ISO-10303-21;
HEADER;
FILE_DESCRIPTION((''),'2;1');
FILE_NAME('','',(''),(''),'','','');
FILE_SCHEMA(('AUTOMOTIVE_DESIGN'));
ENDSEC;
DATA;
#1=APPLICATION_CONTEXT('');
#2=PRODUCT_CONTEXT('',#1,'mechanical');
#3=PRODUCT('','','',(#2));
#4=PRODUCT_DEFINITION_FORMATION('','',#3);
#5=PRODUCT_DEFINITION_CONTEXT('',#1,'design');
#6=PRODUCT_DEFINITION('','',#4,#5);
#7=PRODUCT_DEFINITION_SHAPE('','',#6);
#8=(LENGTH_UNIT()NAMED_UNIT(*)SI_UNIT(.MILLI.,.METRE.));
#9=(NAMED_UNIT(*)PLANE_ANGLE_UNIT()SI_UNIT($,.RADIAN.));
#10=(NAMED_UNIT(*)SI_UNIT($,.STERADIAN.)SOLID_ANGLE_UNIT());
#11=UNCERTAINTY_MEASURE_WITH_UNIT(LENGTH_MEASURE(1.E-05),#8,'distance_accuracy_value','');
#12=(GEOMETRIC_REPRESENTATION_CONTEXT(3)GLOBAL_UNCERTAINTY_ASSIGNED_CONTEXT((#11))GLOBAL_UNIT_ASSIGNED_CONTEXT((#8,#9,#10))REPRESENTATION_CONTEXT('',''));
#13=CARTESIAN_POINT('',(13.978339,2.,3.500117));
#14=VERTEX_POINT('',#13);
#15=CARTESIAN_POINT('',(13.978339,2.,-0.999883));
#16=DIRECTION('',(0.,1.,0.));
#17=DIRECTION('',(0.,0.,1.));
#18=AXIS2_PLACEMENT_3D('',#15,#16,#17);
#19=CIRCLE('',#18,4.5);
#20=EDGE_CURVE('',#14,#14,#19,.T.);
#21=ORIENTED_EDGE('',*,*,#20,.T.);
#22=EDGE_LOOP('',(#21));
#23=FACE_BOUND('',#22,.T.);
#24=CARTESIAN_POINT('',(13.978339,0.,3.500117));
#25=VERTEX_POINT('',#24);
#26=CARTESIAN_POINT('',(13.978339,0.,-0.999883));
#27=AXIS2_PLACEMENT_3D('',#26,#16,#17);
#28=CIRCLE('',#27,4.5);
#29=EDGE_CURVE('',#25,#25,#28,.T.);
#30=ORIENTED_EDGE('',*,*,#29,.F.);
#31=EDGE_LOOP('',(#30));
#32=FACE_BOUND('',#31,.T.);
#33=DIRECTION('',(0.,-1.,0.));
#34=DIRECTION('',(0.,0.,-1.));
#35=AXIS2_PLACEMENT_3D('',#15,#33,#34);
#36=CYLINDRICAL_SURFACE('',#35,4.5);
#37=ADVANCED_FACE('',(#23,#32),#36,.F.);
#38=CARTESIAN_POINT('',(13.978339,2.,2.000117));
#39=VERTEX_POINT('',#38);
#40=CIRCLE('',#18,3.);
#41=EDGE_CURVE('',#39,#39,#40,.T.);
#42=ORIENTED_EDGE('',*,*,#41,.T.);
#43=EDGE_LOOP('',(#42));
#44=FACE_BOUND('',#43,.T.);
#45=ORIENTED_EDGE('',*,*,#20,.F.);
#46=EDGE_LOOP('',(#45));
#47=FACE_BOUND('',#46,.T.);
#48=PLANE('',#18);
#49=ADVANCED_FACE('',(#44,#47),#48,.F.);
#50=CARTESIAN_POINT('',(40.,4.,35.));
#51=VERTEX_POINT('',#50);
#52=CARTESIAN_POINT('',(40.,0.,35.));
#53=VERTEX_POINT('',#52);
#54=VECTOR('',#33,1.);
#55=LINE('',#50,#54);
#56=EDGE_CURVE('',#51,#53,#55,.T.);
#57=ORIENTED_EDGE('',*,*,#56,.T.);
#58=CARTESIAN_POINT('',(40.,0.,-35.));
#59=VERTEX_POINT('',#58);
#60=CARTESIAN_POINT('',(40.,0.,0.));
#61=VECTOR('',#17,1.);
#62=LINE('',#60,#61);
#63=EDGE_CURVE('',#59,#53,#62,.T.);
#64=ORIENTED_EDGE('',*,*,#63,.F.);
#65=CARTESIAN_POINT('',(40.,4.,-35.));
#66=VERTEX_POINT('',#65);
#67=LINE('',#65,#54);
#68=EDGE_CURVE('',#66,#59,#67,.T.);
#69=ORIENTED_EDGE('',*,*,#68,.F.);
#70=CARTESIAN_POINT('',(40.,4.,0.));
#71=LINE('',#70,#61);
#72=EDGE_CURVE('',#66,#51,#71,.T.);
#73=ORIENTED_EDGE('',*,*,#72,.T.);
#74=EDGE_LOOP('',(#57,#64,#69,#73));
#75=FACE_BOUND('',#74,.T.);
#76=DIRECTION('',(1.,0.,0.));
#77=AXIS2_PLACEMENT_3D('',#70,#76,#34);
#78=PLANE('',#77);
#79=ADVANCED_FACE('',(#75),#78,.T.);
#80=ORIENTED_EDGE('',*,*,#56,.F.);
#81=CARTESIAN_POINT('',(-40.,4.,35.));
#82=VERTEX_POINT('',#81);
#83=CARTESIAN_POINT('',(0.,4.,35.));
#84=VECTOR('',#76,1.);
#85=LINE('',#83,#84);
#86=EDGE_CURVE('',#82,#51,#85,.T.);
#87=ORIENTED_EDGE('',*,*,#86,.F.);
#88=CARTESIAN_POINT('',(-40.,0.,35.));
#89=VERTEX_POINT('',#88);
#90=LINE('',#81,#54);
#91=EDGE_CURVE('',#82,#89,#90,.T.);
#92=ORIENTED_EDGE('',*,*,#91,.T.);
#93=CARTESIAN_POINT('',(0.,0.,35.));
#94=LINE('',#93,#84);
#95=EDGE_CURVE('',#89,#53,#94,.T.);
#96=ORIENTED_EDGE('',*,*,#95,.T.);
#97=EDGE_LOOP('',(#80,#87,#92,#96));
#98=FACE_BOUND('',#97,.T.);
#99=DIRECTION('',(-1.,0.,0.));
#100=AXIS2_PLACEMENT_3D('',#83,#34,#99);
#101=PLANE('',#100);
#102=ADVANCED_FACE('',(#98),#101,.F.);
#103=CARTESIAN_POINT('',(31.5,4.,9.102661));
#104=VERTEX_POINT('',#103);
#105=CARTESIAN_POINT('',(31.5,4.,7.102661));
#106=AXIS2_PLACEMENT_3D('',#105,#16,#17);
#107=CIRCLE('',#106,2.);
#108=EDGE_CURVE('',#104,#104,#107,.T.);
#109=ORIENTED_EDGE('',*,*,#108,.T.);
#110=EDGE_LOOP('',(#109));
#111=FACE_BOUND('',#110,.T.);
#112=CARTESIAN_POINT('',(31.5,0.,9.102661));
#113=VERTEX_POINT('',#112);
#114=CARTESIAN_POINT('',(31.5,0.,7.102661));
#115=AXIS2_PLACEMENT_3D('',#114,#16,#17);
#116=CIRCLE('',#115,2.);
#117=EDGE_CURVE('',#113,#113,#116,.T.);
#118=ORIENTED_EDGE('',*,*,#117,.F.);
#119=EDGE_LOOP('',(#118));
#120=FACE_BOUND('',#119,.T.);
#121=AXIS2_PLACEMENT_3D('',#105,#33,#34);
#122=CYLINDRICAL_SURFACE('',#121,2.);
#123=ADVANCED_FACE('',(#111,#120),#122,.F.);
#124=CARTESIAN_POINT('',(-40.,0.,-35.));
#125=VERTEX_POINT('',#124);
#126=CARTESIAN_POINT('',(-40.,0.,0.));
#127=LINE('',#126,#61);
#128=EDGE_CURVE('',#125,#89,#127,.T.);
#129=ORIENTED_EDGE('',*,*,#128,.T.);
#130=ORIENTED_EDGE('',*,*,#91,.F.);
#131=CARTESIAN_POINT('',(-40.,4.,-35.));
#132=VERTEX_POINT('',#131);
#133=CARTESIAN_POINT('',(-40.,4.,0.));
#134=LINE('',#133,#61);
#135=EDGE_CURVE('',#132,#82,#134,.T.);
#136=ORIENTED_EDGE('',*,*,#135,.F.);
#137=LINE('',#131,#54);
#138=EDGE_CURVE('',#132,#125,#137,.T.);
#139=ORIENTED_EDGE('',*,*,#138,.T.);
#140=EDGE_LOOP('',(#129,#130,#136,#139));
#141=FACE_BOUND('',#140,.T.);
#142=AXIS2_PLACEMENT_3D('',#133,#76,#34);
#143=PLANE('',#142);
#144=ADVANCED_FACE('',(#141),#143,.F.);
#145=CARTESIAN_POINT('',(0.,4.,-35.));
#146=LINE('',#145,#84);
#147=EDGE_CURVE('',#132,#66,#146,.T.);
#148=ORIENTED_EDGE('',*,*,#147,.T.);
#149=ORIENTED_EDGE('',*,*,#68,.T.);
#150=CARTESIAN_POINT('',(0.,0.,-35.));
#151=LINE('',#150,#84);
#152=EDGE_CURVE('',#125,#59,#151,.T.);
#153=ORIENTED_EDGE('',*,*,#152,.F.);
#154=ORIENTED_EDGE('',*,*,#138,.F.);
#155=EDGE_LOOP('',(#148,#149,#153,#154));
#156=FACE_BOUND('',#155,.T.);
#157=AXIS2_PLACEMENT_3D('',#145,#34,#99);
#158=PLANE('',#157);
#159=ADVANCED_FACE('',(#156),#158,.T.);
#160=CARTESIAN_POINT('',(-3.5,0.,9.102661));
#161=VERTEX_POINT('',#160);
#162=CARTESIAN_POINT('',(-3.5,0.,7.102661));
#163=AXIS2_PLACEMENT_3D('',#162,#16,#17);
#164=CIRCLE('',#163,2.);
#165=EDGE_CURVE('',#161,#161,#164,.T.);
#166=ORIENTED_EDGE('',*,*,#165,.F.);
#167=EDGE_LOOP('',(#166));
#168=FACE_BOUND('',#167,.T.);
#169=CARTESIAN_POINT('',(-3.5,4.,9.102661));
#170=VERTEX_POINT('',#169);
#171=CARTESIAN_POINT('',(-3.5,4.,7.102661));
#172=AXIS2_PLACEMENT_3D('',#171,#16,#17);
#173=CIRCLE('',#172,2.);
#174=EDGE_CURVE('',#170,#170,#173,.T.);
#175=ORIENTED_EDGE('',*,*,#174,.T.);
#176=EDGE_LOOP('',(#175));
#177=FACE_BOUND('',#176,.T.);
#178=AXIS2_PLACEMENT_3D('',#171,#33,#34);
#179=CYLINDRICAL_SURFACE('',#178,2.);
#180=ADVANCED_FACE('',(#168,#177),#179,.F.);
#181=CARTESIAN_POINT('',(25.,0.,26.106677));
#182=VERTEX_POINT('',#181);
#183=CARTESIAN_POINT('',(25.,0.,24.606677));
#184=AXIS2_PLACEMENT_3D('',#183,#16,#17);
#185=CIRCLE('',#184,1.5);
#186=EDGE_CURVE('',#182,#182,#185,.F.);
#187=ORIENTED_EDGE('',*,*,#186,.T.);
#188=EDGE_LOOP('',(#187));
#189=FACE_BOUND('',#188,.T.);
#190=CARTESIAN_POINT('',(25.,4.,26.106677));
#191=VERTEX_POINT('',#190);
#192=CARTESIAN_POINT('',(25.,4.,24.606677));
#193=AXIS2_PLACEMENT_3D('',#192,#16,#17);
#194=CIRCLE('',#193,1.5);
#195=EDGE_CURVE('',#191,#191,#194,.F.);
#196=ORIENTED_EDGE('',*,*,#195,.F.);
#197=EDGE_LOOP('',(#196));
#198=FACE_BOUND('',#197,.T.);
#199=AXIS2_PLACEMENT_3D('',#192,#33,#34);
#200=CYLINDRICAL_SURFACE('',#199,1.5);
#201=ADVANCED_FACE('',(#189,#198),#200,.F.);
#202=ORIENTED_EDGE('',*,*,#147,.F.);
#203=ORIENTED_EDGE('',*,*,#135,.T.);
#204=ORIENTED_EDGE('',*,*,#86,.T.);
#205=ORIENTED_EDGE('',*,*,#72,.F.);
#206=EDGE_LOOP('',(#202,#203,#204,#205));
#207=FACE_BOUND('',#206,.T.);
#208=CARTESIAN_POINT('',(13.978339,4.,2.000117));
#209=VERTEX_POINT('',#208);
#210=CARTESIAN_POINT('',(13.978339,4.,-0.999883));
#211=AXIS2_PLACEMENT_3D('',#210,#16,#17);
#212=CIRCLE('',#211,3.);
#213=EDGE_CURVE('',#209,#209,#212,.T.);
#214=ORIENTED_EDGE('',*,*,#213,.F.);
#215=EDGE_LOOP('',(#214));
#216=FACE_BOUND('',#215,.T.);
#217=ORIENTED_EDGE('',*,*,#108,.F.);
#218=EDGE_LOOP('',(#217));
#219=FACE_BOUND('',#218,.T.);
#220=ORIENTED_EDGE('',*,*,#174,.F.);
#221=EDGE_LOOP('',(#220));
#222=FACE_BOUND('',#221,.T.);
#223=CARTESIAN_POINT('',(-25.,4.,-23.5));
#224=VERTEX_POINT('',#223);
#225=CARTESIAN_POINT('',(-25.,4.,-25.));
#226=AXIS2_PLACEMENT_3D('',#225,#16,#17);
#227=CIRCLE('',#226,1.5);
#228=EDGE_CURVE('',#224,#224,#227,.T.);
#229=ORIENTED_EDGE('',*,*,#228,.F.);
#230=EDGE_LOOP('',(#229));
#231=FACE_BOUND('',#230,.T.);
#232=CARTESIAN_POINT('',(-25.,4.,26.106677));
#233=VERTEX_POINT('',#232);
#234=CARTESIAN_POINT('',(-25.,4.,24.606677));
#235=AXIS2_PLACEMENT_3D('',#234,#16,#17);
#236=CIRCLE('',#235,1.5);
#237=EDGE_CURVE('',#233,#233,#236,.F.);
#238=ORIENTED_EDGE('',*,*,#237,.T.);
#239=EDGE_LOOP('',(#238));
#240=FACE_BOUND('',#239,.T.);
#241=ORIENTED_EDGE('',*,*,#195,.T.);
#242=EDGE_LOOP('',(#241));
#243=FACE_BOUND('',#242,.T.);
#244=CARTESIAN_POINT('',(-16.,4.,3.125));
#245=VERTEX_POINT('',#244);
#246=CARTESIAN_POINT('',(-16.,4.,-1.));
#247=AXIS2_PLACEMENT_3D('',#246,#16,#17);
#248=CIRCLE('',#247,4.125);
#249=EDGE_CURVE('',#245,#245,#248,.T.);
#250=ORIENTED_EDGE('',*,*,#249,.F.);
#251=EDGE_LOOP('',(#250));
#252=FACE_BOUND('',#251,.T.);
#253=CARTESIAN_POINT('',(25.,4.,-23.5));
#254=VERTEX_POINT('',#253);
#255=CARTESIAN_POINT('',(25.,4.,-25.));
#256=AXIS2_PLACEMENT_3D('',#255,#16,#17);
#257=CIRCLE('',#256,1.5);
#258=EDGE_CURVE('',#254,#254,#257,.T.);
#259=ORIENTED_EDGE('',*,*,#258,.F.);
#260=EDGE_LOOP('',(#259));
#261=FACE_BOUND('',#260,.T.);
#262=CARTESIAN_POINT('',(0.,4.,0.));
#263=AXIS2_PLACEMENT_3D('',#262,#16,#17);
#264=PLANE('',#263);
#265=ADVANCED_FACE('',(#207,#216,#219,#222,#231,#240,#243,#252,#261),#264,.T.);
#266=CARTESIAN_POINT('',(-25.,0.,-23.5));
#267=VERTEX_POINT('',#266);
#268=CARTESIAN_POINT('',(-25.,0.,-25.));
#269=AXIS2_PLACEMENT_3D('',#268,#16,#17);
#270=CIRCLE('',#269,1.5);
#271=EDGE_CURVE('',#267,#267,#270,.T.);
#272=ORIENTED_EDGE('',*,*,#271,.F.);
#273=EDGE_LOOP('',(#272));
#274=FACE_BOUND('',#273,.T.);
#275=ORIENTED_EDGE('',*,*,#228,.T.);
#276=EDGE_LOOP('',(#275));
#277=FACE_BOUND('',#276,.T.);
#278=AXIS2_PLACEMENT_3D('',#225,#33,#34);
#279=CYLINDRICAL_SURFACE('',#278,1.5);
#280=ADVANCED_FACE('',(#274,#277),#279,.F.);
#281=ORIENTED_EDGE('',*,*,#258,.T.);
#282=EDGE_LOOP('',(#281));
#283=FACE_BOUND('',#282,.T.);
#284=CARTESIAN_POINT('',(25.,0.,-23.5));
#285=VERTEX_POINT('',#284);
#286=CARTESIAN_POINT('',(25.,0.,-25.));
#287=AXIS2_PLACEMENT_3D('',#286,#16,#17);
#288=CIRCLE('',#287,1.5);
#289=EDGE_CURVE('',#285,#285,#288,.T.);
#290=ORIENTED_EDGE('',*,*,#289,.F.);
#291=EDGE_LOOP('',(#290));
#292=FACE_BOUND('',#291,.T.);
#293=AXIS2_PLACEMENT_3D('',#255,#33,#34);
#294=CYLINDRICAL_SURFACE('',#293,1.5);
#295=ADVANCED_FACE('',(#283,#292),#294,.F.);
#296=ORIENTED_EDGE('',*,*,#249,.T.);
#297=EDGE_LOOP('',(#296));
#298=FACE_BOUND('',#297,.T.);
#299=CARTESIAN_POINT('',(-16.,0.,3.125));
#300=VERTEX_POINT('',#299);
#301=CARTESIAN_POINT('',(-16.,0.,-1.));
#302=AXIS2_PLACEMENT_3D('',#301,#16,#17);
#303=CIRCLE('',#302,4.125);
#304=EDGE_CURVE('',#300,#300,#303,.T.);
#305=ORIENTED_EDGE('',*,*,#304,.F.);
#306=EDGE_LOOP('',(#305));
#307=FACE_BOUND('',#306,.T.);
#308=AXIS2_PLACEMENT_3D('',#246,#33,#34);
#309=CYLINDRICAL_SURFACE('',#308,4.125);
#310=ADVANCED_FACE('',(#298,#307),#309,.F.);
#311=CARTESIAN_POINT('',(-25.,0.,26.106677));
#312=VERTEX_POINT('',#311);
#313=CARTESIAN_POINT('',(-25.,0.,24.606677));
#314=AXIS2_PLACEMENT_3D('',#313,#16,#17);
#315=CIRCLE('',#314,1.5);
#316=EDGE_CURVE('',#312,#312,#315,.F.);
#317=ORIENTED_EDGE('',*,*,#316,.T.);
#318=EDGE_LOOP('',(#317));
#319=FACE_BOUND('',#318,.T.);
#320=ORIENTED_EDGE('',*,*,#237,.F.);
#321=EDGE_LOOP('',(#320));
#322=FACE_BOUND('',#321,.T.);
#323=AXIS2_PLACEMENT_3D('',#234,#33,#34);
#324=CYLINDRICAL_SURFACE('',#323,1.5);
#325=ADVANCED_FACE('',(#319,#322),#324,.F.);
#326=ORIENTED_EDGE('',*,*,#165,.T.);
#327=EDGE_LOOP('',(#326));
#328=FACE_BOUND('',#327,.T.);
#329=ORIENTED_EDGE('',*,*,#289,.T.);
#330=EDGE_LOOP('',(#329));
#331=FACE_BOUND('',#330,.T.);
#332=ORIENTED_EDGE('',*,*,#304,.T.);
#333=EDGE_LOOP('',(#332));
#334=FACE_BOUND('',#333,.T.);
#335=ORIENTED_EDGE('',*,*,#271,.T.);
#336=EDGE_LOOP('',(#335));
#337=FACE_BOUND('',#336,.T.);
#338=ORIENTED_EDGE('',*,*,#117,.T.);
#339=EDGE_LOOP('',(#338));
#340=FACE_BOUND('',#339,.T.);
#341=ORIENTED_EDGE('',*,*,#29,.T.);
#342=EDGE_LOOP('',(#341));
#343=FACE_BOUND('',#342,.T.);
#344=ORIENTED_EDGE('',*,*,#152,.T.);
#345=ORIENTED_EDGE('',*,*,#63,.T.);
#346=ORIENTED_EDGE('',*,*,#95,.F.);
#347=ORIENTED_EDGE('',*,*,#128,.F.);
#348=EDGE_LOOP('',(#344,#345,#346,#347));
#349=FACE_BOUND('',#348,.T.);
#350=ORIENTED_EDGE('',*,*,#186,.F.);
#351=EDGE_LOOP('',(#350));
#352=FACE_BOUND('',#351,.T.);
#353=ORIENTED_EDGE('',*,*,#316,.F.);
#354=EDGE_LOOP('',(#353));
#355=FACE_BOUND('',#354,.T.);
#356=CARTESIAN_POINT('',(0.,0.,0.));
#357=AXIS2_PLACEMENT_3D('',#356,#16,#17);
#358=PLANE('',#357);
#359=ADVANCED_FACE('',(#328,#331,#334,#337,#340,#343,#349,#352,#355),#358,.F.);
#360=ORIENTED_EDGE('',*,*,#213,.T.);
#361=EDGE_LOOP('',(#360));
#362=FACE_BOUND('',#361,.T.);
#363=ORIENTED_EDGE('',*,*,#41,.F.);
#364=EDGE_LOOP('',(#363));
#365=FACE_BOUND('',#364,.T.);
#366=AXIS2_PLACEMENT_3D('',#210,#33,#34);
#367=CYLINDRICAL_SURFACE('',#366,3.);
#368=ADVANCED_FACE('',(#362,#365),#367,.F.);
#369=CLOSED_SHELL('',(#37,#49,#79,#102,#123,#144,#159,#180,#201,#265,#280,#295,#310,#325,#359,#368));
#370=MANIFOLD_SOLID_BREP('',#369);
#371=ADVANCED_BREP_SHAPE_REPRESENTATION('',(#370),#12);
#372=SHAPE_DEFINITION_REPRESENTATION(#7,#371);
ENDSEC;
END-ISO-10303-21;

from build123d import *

# Parameters (mm, degrees)
SKETCH1_W           = 80
SKETCH1_H           = 70
SKETCH1_R           = 1.5
SKETCH1_R_2         = 2
SKETCH1_R_3         = 4.125
SKETCH1_R_4         = 3
BOSS_EXTRUDE4_DEPTH = 4
SKETCH1_7_R         = 4.5
CUT_EXTRUDE2_DEPTH  = 2


with BuildPart() as part:
    # Sketch1 → Boss-Extrude4 (new body)
    with BuildSketch(Plane(origin=(0, 0, 0), x_dir=(1, 0, 0), z_dir=(0, 1, 0))):
        Rectangle(SKETCH1_W, SKETCH1_H)
        with Locations((-25, 25)):
            Circle(SKETCH1_R, mode=Mode.SUBTRACT)
        with Locations((25, 25)):
            Circle(SKETCH1_R, mode=Mode.SUBTRACT)
        with Locations((25, -24.60667729)):
            Circle(SKETCH1_R, mode=Mode.SUBTRACT)
        with Locations((-25, -24.60667729)):
            Circle(SKETCH1_R, mode=Mode.SUBTRACT)
        with Locations((-3.5, -7.102660735)):
            Circle(SKETCH1_R_2, mode=Mode.SUBTRACT)
        with Locations((31.5, -7.102660735)):
            Circle(SKETCH1_R_2, mode=Mode.SUBTRACT)
        with Locations((-16, 1)):
            Circle(SKETCH1_R_3, mode=Mode.SUBTRACT)
        with Locations((13.978339488, 0.999882702)):
            Circle(SKETCH1_R_4, mode=Mode.SUBTRACT)
    extrude(amount=BOSS_EXTRUDE4_DEPTH)

    # Sketch1<7> → Cut-Extrude2 (cut)
    with BuildSketch(Plane(origin=(0, 0, 0), x_dir=(1, 0, 0), z_dir=(0, 1, 0))):
        with Locations((13.978339488, 0.999882702)):
            Circle(SKETCH1_7_R)
    extrude(amount=CUT_EXTRUDE2_DEPTH, mode=Mode.SUBTRACT)


solid = part.part
